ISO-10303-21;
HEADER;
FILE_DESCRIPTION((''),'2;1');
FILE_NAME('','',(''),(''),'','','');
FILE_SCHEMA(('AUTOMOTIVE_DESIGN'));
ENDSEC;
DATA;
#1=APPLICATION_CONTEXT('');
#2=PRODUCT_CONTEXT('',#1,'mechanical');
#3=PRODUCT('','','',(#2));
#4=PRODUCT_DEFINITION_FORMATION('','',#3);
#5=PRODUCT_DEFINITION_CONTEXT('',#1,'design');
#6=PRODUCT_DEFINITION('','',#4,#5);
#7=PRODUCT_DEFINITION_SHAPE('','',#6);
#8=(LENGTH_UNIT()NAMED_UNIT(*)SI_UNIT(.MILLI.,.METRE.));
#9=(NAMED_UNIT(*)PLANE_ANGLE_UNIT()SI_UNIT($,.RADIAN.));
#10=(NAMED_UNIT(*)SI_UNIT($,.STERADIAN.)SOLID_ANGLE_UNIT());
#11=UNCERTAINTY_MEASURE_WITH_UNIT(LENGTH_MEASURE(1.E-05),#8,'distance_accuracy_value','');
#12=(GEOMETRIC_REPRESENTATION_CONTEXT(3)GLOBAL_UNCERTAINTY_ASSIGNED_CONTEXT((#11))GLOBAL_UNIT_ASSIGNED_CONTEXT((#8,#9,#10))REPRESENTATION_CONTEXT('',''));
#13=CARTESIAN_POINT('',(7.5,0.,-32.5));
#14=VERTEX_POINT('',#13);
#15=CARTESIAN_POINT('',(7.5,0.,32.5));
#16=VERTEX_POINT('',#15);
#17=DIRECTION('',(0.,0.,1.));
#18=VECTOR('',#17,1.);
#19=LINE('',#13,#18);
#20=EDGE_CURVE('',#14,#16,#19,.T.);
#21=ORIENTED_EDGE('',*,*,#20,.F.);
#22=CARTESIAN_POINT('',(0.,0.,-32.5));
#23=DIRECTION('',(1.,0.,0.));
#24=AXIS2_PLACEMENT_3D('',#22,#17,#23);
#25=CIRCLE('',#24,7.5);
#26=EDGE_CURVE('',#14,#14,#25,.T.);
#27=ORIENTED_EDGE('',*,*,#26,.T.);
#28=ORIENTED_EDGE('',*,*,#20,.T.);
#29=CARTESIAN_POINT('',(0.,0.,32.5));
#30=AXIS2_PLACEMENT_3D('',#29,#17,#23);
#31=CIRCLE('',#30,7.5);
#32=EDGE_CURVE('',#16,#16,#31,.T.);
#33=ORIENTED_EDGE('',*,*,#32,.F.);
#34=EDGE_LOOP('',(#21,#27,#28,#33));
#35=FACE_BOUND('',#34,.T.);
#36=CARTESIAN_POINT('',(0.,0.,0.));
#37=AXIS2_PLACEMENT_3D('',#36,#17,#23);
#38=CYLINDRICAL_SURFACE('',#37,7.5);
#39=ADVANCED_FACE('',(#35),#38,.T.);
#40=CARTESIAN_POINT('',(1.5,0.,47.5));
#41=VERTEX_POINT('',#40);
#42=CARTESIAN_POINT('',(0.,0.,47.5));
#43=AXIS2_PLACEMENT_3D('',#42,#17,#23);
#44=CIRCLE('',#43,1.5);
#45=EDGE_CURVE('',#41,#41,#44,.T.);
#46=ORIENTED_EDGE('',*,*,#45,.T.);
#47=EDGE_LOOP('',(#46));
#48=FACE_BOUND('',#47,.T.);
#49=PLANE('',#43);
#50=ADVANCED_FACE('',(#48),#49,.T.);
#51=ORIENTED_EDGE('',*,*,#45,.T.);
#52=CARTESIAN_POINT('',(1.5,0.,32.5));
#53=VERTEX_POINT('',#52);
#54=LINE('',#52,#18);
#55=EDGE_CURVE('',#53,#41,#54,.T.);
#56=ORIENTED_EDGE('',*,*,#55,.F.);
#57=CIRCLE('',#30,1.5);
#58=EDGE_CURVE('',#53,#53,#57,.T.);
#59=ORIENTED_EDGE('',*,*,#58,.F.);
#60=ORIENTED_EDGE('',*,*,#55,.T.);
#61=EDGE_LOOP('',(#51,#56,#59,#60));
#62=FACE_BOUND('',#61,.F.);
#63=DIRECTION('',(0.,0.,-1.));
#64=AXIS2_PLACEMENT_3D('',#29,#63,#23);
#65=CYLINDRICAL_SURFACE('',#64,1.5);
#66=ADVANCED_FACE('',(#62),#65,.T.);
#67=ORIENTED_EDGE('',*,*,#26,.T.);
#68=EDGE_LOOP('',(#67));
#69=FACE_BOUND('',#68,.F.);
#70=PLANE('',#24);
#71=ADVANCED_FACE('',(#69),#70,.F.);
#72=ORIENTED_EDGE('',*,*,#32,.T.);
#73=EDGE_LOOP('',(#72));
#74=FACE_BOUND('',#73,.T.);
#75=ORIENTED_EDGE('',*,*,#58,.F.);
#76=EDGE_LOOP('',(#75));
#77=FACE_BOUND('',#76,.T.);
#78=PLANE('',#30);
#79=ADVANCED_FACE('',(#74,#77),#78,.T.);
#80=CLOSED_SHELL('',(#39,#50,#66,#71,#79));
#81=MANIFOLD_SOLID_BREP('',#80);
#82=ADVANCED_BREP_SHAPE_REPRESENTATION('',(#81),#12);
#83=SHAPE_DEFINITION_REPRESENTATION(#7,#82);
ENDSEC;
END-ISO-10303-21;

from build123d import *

# Parameters (mm, degrees)
F0_R     = 7.5
F1_DEPTH = 32.5
F2_R     = 1.5
F3_DEPTH = 15


with BuildPart() as f1:
    # F0 (on Top) → F1 (new body, symmetric)
    with BuildSketch(Plane.XY):
        Circle(F0_R)
    extrude(amount=F1_DEPTH, both=True)

    # F2 (on face) → F3 (join)
    with BuildSketch(Plane.XY.offset(32.5)):
        Circle(F2_R)
    extrude(amount=F3_DEPTH)


solid = f1.part
